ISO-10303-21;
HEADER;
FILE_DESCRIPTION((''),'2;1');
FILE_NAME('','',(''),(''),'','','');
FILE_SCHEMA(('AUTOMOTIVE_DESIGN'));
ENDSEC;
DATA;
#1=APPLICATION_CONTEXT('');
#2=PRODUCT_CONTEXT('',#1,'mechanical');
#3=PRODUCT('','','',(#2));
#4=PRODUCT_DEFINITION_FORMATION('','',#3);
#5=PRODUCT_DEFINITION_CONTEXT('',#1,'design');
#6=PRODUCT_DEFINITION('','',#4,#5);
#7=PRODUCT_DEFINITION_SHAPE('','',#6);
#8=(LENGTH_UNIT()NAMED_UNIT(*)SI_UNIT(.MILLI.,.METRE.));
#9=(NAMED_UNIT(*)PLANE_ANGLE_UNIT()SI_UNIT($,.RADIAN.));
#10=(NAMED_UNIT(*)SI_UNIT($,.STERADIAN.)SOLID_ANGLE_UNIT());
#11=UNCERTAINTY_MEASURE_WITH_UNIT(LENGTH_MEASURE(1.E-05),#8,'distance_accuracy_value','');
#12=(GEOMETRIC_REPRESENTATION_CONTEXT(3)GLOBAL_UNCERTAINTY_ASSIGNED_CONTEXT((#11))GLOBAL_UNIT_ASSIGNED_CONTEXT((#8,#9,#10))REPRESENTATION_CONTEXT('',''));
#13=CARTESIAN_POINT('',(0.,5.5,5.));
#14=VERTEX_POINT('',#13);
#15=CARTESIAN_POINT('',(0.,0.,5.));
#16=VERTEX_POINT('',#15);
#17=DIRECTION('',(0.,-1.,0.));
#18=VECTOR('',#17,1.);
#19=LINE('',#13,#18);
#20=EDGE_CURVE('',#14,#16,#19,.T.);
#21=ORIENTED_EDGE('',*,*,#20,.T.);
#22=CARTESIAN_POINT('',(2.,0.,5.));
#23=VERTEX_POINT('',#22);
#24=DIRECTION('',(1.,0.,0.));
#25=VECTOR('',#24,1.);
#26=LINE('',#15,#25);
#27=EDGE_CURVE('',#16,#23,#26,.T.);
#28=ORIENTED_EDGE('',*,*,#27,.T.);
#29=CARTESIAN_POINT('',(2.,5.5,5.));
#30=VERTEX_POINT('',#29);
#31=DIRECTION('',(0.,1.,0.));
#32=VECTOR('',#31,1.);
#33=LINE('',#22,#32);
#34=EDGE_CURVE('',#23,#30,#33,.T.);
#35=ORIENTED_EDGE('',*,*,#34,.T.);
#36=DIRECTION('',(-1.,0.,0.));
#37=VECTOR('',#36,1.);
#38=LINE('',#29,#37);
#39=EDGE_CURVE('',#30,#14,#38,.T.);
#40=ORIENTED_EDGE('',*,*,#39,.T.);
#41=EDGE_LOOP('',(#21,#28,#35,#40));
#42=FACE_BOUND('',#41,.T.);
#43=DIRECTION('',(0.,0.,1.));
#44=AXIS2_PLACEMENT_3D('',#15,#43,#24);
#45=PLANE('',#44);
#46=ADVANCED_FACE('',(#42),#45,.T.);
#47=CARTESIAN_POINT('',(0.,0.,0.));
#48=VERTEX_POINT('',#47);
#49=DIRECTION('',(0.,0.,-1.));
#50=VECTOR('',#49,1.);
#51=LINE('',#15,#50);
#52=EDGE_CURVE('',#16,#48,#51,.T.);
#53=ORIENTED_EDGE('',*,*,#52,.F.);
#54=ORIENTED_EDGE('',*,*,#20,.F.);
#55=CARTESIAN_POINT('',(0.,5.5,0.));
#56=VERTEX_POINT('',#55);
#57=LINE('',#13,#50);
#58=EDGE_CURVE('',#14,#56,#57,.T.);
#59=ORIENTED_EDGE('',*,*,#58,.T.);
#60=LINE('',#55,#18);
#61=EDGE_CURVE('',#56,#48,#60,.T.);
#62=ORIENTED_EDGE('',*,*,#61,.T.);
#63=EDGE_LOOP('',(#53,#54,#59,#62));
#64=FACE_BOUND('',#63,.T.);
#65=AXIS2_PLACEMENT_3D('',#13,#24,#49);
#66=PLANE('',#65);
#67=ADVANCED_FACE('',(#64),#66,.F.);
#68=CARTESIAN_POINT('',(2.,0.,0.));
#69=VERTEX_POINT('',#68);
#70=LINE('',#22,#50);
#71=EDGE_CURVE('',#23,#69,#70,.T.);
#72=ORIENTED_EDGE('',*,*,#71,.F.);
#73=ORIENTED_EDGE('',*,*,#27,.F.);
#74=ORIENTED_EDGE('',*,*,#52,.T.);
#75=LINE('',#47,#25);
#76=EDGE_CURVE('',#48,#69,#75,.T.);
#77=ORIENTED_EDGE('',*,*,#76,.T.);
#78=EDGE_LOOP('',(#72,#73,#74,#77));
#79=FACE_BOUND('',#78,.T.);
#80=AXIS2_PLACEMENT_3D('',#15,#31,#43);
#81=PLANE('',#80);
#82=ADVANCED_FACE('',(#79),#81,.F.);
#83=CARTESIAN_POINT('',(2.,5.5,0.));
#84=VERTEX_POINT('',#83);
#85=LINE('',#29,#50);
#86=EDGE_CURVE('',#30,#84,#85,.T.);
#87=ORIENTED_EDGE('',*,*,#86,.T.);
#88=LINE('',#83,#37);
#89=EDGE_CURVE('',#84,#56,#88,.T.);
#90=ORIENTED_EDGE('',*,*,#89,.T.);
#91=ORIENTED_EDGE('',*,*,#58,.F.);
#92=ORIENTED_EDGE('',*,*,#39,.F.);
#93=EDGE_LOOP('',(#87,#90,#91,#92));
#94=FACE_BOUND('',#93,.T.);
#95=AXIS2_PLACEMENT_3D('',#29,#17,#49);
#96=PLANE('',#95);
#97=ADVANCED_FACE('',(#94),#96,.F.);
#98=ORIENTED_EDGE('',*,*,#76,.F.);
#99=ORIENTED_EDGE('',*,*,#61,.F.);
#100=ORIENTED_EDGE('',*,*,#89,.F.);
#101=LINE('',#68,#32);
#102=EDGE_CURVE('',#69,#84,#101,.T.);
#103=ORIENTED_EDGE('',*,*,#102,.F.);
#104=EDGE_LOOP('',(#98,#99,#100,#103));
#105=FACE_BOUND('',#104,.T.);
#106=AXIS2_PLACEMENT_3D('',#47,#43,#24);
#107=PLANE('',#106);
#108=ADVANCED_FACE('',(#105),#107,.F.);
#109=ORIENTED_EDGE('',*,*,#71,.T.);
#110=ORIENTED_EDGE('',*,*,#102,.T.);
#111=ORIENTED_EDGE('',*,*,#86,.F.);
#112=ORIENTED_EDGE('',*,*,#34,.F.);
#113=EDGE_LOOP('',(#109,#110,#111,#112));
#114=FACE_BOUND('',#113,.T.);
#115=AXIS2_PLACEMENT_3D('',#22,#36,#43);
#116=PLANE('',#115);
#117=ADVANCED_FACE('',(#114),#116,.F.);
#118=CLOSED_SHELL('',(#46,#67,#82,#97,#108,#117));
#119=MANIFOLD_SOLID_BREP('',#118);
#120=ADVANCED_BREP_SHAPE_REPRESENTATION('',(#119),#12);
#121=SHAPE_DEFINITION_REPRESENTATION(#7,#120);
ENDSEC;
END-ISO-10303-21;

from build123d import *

# Parameters (mm, degrees)
SKETCH_1_W         = 2
SKETCH_1_H         = 5.5
COMPACT_YOKE_DEPTH = 5


with BuildPart() as part:
    # 草图1 → Compact_yoke (new body)
    with BuildSketch(Plane.XY):
        with Locations((1, 2.75)):
            Rectangle(SKETCH_1_W, SKETCH_1_H)
    extrude(amount=COMPACT_YOKE_DEPTH)


solid = part.part
